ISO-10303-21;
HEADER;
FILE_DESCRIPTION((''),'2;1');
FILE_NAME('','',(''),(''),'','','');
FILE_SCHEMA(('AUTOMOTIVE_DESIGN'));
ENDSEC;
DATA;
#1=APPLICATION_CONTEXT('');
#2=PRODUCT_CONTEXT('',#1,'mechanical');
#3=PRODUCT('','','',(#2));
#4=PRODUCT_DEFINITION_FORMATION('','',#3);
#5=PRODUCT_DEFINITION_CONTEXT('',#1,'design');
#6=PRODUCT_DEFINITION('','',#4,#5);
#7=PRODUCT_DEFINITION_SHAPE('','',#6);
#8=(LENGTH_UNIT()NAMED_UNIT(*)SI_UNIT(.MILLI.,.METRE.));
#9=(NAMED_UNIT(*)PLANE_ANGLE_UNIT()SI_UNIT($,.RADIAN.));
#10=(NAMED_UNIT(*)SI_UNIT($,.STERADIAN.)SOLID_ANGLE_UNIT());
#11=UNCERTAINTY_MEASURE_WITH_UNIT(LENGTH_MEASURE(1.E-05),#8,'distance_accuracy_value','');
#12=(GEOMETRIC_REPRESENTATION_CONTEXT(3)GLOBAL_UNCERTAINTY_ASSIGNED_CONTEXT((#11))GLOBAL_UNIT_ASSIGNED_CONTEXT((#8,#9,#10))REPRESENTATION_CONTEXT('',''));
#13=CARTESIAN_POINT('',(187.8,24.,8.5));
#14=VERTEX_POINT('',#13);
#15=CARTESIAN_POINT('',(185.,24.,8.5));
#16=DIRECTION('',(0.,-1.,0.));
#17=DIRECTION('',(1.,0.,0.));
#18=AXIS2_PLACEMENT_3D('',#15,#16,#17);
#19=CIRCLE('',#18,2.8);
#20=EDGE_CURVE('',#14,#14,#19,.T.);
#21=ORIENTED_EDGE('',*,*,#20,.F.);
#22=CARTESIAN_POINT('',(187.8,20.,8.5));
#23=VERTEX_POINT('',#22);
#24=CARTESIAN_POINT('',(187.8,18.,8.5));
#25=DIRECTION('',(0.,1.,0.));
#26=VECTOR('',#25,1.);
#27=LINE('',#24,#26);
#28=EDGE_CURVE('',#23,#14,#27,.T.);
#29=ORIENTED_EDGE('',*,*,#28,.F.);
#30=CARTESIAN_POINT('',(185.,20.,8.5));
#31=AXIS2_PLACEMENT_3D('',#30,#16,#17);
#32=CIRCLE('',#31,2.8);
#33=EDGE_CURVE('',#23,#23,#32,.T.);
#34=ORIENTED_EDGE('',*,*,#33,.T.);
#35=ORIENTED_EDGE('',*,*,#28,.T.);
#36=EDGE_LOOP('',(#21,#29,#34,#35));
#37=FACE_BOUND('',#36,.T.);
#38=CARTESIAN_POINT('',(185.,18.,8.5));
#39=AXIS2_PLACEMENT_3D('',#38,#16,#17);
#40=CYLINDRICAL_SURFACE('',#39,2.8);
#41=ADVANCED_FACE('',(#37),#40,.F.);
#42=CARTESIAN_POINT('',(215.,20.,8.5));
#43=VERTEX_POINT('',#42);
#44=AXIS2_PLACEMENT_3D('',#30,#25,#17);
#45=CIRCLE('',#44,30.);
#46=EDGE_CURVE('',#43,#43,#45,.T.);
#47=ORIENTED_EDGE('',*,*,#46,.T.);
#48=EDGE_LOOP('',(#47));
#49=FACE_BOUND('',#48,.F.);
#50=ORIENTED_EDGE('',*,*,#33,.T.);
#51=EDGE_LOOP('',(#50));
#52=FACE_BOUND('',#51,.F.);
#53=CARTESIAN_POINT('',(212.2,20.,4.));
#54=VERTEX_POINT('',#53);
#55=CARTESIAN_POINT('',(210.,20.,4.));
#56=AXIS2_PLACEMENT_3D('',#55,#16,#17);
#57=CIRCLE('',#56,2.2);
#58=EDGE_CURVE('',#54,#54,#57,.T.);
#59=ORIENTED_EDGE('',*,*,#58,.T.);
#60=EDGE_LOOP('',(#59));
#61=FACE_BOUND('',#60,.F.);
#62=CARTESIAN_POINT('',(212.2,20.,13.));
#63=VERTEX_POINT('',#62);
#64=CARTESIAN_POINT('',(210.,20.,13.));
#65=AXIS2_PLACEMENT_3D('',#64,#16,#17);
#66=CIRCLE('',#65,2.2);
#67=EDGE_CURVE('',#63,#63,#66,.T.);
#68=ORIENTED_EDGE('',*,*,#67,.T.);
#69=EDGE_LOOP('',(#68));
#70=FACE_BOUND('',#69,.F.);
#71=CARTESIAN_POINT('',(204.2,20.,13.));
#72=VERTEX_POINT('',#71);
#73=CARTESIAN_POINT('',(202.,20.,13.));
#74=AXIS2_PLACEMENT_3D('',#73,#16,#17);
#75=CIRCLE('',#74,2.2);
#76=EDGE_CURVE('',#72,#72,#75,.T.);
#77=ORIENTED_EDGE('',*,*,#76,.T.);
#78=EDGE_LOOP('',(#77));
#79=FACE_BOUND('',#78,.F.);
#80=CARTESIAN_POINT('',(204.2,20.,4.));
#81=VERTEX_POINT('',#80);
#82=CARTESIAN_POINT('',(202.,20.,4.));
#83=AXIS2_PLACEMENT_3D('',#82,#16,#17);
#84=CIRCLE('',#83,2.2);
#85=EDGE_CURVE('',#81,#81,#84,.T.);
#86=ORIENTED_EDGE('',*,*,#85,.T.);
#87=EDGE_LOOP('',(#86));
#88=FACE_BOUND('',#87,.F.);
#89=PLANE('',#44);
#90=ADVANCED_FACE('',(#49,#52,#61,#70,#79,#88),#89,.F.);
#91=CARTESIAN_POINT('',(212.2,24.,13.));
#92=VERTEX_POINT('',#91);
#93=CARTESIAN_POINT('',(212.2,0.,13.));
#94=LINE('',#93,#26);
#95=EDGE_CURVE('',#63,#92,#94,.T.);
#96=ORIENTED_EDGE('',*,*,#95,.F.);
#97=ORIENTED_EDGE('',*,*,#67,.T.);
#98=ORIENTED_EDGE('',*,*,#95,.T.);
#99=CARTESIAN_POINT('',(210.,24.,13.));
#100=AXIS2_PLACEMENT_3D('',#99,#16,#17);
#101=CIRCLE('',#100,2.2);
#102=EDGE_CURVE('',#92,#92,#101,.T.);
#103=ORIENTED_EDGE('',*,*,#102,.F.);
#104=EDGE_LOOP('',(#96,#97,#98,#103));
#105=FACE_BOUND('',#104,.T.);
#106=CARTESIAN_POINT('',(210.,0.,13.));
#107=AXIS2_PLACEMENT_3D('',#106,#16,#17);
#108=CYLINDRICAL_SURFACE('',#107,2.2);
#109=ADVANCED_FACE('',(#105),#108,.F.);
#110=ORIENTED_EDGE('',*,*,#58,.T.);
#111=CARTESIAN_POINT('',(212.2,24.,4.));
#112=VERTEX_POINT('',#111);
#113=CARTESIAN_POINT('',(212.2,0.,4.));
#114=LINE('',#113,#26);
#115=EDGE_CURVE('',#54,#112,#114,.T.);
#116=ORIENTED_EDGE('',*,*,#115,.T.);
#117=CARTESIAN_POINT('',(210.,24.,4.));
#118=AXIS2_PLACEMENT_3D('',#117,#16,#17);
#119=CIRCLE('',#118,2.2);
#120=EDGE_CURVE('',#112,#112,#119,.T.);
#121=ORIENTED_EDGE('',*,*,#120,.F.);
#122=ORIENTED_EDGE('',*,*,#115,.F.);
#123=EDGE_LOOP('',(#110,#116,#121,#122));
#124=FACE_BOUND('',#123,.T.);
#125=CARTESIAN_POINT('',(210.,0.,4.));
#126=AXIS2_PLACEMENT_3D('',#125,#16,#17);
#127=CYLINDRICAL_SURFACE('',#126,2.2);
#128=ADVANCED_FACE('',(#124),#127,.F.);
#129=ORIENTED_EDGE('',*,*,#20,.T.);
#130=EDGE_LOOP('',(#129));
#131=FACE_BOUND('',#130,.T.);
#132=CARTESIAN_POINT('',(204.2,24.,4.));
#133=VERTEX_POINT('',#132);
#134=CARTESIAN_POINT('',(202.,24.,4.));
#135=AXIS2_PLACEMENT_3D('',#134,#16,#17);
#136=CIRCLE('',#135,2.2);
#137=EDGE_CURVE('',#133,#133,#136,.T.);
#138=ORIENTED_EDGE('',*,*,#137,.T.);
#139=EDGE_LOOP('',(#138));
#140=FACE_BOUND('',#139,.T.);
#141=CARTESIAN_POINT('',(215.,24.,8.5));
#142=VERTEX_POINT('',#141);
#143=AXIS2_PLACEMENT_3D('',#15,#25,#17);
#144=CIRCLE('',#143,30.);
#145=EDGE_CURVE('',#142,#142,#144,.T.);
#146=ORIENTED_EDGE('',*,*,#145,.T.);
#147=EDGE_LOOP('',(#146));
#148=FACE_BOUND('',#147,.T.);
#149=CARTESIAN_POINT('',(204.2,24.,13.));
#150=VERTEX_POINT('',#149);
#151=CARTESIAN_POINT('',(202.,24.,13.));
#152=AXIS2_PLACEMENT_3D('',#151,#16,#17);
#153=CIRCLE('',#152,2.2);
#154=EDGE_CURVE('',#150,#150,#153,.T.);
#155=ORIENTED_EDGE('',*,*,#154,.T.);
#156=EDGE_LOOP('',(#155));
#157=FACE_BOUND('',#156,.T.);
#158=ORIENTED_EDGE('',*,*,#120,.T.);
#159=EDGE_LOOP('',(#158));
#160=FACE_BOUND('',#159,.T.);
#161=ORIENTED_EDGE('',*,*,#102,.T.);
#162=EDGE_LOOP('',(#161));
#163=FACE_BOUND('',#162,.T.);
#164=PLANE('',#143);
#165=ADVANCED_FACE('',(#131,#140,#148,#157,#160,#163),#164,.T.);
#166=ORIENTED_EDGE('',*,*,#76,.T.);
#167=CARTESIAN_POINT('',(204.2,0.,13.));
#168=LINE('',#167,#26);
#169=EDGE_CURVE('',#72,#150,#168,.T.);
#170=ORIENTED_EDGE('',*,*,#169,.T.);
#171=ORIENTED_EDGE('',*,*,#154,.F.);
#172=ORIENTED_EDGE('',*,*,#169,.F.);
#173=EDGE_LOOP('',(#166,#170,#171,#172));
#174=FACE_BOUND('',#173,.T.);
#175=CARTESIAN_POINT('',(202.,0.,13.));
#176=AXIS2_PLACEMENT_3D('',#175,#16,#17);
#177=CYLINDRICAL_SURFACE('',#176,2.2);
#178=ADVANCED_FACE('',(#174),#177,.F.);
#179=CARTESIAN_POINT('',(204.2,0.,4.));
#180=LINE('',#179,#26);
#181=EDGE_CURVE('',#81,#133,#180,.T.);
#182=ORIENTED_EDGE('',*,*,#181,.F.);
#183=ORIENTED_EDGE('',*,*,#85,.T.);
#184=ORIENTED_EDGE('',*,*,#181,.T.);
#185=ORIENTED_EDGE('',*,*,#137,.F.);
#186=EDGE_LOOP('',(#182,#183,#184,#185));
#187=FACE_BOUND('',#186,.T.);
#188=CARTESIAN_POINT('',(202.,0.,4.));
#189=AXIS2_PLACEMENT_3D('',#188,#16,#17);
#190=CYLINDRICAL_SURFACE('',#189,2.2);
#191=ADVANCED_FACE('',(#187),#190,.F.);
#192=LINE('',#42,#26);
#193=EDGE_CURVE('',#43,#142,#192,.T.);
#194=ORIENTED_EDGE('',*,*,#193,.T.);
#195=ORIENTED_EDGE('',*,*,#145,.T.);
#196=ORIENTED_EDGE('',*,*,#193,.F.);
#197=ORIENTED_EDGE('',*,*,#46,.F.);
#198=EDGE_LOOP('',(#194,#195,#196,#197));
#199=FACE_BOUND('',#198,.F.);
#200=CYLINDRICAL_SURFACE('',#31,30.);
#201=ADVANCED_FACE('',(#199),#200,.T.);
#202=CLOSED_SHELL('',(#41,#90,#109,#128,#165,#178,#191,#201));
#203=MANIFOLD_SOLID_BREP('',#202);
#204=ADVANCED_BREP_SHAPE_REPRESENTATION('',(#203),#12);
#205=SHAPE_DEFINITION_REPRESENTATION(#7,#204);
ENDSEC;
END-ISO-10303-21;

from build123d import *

# Parameters (mm, degrees)
CYLINDER033_R          = 2.8
CYLINDER033_DEPTH      = 10
CYLINDER033_ROLL_ANGLE = -90
CYLINDER013_R          = 2.2
CYLINDER013_DEPTH      = 26
CYLINDER013_ROLL_ANGLE = -90
ARRAY002_X_COUNT       = 2
ARRAY002_X_PITCH       = 8
ARRAY002_Z_COUNT       = 2
ARRAY002_Z_PITCH       = 9
CYLINDER011_R          = 30
CYLINDER011_DEPTH      = 4
CYLINDER011_ROLL_ANGLE = -90


with BuildPart() as centro_traccion:
    # Cylinder033 → Cylinder033 (new body)
    with BuildSketch(Plane.XY):
        Circle(CYLINDER033_R)
    extrude(amount=CYLINDER033_DEPTH)


with BuildPart() as centro_traccion_1:
    # Cylinder033 roll: moved
    add(centro_traccion.part.rotate(Axis((0, 0, 0), (1, 0, 0)), CYLINDER033_ROLL_ANGLE))


with BuildPart() as centro_traccion_2:
    # Cylinder033 placement: moved
    add(centro_traccion_1.part.moved(Location((185, 18, 8.5))))


with BuildPart() as taladros_suje_traccion001:
    # Cylinder013 → Cylinder013 (new body)
    with BuildSketch(Plane.XY):
        Circle(CYLINDER013_R)
    extrude(amount=CYLINDER013_DEPTH)


with BuildPart() as taladros_suje_traccion001_1:
    # Cylinder013 roll: moved
    add(taladros_suje_traccion001.part.rotate(Axis((0, 0, 0), (1, 0, 0)), CYLINDER013_ROLL_ANGLE))


with BuildPart() as taladros_suje_traccion001_2:
    # Cylinder013 placement: moved
    add(taladros_suje_traccion001_1.part.moved(Location((202, 0, 4))))

    # Array002 X: Taladros_suje_traccion001 ×2


with BuildPart() as taladros_suje_traccion001_3:
    add(taladros_suje_traccion001_2.part)
    with Locations(*[(i * ARRAY002_X_PITCH, 0, 0) for i in range(1, ARRAY002_X_COUNT)]):
        add(taladros_suje_traccion001_2.part)

    # Array002 Z: Taladros_suje_traccion001 ×2


with BuildPart() as taladros_suje_traccion001_4:
    add(taladros_suje_traccion001_3.part)
    with Locations(*[(0, 0, i * ARRAY002_Z_PITCH) for i in range(1, ARRAY002_Z_COUNT)]):
        add(taladros_suje_traccion001_3.part)


with BuildPart() as traccion_full:
    # Cylinder011 → Cylinder011 (new body)
    with BuildSketch(Plane.XY):
        Circle(CYLINDER011_R)
    extrude(amount=CYLINDER011_DEPTH)


with BuildPart() as traccion_full_1:
    # Cylinder011 roll: moved
    add(traccion_full.part.rotate(Axis((0, 0, 0), (1, 0, 0)), CYLINDER011_ROLL_ANGLE))


with BuildPart() as traccion_full_2:
    # Cylinder011 placement: moved
    add(traccion_full_1.part.moved(Location((185, 20, 8.5))))

    # Cut008: cut Taladros_suje_traccion001
    add(taladros_suje_traccion001_4.part, mode=Mode.SUBTRACT)

    # Cut030: cut Centro_traccion
    add(centro_traccion_2.part, mode=Mode.SUBTRACT)


solid = traccion_full_2.part
